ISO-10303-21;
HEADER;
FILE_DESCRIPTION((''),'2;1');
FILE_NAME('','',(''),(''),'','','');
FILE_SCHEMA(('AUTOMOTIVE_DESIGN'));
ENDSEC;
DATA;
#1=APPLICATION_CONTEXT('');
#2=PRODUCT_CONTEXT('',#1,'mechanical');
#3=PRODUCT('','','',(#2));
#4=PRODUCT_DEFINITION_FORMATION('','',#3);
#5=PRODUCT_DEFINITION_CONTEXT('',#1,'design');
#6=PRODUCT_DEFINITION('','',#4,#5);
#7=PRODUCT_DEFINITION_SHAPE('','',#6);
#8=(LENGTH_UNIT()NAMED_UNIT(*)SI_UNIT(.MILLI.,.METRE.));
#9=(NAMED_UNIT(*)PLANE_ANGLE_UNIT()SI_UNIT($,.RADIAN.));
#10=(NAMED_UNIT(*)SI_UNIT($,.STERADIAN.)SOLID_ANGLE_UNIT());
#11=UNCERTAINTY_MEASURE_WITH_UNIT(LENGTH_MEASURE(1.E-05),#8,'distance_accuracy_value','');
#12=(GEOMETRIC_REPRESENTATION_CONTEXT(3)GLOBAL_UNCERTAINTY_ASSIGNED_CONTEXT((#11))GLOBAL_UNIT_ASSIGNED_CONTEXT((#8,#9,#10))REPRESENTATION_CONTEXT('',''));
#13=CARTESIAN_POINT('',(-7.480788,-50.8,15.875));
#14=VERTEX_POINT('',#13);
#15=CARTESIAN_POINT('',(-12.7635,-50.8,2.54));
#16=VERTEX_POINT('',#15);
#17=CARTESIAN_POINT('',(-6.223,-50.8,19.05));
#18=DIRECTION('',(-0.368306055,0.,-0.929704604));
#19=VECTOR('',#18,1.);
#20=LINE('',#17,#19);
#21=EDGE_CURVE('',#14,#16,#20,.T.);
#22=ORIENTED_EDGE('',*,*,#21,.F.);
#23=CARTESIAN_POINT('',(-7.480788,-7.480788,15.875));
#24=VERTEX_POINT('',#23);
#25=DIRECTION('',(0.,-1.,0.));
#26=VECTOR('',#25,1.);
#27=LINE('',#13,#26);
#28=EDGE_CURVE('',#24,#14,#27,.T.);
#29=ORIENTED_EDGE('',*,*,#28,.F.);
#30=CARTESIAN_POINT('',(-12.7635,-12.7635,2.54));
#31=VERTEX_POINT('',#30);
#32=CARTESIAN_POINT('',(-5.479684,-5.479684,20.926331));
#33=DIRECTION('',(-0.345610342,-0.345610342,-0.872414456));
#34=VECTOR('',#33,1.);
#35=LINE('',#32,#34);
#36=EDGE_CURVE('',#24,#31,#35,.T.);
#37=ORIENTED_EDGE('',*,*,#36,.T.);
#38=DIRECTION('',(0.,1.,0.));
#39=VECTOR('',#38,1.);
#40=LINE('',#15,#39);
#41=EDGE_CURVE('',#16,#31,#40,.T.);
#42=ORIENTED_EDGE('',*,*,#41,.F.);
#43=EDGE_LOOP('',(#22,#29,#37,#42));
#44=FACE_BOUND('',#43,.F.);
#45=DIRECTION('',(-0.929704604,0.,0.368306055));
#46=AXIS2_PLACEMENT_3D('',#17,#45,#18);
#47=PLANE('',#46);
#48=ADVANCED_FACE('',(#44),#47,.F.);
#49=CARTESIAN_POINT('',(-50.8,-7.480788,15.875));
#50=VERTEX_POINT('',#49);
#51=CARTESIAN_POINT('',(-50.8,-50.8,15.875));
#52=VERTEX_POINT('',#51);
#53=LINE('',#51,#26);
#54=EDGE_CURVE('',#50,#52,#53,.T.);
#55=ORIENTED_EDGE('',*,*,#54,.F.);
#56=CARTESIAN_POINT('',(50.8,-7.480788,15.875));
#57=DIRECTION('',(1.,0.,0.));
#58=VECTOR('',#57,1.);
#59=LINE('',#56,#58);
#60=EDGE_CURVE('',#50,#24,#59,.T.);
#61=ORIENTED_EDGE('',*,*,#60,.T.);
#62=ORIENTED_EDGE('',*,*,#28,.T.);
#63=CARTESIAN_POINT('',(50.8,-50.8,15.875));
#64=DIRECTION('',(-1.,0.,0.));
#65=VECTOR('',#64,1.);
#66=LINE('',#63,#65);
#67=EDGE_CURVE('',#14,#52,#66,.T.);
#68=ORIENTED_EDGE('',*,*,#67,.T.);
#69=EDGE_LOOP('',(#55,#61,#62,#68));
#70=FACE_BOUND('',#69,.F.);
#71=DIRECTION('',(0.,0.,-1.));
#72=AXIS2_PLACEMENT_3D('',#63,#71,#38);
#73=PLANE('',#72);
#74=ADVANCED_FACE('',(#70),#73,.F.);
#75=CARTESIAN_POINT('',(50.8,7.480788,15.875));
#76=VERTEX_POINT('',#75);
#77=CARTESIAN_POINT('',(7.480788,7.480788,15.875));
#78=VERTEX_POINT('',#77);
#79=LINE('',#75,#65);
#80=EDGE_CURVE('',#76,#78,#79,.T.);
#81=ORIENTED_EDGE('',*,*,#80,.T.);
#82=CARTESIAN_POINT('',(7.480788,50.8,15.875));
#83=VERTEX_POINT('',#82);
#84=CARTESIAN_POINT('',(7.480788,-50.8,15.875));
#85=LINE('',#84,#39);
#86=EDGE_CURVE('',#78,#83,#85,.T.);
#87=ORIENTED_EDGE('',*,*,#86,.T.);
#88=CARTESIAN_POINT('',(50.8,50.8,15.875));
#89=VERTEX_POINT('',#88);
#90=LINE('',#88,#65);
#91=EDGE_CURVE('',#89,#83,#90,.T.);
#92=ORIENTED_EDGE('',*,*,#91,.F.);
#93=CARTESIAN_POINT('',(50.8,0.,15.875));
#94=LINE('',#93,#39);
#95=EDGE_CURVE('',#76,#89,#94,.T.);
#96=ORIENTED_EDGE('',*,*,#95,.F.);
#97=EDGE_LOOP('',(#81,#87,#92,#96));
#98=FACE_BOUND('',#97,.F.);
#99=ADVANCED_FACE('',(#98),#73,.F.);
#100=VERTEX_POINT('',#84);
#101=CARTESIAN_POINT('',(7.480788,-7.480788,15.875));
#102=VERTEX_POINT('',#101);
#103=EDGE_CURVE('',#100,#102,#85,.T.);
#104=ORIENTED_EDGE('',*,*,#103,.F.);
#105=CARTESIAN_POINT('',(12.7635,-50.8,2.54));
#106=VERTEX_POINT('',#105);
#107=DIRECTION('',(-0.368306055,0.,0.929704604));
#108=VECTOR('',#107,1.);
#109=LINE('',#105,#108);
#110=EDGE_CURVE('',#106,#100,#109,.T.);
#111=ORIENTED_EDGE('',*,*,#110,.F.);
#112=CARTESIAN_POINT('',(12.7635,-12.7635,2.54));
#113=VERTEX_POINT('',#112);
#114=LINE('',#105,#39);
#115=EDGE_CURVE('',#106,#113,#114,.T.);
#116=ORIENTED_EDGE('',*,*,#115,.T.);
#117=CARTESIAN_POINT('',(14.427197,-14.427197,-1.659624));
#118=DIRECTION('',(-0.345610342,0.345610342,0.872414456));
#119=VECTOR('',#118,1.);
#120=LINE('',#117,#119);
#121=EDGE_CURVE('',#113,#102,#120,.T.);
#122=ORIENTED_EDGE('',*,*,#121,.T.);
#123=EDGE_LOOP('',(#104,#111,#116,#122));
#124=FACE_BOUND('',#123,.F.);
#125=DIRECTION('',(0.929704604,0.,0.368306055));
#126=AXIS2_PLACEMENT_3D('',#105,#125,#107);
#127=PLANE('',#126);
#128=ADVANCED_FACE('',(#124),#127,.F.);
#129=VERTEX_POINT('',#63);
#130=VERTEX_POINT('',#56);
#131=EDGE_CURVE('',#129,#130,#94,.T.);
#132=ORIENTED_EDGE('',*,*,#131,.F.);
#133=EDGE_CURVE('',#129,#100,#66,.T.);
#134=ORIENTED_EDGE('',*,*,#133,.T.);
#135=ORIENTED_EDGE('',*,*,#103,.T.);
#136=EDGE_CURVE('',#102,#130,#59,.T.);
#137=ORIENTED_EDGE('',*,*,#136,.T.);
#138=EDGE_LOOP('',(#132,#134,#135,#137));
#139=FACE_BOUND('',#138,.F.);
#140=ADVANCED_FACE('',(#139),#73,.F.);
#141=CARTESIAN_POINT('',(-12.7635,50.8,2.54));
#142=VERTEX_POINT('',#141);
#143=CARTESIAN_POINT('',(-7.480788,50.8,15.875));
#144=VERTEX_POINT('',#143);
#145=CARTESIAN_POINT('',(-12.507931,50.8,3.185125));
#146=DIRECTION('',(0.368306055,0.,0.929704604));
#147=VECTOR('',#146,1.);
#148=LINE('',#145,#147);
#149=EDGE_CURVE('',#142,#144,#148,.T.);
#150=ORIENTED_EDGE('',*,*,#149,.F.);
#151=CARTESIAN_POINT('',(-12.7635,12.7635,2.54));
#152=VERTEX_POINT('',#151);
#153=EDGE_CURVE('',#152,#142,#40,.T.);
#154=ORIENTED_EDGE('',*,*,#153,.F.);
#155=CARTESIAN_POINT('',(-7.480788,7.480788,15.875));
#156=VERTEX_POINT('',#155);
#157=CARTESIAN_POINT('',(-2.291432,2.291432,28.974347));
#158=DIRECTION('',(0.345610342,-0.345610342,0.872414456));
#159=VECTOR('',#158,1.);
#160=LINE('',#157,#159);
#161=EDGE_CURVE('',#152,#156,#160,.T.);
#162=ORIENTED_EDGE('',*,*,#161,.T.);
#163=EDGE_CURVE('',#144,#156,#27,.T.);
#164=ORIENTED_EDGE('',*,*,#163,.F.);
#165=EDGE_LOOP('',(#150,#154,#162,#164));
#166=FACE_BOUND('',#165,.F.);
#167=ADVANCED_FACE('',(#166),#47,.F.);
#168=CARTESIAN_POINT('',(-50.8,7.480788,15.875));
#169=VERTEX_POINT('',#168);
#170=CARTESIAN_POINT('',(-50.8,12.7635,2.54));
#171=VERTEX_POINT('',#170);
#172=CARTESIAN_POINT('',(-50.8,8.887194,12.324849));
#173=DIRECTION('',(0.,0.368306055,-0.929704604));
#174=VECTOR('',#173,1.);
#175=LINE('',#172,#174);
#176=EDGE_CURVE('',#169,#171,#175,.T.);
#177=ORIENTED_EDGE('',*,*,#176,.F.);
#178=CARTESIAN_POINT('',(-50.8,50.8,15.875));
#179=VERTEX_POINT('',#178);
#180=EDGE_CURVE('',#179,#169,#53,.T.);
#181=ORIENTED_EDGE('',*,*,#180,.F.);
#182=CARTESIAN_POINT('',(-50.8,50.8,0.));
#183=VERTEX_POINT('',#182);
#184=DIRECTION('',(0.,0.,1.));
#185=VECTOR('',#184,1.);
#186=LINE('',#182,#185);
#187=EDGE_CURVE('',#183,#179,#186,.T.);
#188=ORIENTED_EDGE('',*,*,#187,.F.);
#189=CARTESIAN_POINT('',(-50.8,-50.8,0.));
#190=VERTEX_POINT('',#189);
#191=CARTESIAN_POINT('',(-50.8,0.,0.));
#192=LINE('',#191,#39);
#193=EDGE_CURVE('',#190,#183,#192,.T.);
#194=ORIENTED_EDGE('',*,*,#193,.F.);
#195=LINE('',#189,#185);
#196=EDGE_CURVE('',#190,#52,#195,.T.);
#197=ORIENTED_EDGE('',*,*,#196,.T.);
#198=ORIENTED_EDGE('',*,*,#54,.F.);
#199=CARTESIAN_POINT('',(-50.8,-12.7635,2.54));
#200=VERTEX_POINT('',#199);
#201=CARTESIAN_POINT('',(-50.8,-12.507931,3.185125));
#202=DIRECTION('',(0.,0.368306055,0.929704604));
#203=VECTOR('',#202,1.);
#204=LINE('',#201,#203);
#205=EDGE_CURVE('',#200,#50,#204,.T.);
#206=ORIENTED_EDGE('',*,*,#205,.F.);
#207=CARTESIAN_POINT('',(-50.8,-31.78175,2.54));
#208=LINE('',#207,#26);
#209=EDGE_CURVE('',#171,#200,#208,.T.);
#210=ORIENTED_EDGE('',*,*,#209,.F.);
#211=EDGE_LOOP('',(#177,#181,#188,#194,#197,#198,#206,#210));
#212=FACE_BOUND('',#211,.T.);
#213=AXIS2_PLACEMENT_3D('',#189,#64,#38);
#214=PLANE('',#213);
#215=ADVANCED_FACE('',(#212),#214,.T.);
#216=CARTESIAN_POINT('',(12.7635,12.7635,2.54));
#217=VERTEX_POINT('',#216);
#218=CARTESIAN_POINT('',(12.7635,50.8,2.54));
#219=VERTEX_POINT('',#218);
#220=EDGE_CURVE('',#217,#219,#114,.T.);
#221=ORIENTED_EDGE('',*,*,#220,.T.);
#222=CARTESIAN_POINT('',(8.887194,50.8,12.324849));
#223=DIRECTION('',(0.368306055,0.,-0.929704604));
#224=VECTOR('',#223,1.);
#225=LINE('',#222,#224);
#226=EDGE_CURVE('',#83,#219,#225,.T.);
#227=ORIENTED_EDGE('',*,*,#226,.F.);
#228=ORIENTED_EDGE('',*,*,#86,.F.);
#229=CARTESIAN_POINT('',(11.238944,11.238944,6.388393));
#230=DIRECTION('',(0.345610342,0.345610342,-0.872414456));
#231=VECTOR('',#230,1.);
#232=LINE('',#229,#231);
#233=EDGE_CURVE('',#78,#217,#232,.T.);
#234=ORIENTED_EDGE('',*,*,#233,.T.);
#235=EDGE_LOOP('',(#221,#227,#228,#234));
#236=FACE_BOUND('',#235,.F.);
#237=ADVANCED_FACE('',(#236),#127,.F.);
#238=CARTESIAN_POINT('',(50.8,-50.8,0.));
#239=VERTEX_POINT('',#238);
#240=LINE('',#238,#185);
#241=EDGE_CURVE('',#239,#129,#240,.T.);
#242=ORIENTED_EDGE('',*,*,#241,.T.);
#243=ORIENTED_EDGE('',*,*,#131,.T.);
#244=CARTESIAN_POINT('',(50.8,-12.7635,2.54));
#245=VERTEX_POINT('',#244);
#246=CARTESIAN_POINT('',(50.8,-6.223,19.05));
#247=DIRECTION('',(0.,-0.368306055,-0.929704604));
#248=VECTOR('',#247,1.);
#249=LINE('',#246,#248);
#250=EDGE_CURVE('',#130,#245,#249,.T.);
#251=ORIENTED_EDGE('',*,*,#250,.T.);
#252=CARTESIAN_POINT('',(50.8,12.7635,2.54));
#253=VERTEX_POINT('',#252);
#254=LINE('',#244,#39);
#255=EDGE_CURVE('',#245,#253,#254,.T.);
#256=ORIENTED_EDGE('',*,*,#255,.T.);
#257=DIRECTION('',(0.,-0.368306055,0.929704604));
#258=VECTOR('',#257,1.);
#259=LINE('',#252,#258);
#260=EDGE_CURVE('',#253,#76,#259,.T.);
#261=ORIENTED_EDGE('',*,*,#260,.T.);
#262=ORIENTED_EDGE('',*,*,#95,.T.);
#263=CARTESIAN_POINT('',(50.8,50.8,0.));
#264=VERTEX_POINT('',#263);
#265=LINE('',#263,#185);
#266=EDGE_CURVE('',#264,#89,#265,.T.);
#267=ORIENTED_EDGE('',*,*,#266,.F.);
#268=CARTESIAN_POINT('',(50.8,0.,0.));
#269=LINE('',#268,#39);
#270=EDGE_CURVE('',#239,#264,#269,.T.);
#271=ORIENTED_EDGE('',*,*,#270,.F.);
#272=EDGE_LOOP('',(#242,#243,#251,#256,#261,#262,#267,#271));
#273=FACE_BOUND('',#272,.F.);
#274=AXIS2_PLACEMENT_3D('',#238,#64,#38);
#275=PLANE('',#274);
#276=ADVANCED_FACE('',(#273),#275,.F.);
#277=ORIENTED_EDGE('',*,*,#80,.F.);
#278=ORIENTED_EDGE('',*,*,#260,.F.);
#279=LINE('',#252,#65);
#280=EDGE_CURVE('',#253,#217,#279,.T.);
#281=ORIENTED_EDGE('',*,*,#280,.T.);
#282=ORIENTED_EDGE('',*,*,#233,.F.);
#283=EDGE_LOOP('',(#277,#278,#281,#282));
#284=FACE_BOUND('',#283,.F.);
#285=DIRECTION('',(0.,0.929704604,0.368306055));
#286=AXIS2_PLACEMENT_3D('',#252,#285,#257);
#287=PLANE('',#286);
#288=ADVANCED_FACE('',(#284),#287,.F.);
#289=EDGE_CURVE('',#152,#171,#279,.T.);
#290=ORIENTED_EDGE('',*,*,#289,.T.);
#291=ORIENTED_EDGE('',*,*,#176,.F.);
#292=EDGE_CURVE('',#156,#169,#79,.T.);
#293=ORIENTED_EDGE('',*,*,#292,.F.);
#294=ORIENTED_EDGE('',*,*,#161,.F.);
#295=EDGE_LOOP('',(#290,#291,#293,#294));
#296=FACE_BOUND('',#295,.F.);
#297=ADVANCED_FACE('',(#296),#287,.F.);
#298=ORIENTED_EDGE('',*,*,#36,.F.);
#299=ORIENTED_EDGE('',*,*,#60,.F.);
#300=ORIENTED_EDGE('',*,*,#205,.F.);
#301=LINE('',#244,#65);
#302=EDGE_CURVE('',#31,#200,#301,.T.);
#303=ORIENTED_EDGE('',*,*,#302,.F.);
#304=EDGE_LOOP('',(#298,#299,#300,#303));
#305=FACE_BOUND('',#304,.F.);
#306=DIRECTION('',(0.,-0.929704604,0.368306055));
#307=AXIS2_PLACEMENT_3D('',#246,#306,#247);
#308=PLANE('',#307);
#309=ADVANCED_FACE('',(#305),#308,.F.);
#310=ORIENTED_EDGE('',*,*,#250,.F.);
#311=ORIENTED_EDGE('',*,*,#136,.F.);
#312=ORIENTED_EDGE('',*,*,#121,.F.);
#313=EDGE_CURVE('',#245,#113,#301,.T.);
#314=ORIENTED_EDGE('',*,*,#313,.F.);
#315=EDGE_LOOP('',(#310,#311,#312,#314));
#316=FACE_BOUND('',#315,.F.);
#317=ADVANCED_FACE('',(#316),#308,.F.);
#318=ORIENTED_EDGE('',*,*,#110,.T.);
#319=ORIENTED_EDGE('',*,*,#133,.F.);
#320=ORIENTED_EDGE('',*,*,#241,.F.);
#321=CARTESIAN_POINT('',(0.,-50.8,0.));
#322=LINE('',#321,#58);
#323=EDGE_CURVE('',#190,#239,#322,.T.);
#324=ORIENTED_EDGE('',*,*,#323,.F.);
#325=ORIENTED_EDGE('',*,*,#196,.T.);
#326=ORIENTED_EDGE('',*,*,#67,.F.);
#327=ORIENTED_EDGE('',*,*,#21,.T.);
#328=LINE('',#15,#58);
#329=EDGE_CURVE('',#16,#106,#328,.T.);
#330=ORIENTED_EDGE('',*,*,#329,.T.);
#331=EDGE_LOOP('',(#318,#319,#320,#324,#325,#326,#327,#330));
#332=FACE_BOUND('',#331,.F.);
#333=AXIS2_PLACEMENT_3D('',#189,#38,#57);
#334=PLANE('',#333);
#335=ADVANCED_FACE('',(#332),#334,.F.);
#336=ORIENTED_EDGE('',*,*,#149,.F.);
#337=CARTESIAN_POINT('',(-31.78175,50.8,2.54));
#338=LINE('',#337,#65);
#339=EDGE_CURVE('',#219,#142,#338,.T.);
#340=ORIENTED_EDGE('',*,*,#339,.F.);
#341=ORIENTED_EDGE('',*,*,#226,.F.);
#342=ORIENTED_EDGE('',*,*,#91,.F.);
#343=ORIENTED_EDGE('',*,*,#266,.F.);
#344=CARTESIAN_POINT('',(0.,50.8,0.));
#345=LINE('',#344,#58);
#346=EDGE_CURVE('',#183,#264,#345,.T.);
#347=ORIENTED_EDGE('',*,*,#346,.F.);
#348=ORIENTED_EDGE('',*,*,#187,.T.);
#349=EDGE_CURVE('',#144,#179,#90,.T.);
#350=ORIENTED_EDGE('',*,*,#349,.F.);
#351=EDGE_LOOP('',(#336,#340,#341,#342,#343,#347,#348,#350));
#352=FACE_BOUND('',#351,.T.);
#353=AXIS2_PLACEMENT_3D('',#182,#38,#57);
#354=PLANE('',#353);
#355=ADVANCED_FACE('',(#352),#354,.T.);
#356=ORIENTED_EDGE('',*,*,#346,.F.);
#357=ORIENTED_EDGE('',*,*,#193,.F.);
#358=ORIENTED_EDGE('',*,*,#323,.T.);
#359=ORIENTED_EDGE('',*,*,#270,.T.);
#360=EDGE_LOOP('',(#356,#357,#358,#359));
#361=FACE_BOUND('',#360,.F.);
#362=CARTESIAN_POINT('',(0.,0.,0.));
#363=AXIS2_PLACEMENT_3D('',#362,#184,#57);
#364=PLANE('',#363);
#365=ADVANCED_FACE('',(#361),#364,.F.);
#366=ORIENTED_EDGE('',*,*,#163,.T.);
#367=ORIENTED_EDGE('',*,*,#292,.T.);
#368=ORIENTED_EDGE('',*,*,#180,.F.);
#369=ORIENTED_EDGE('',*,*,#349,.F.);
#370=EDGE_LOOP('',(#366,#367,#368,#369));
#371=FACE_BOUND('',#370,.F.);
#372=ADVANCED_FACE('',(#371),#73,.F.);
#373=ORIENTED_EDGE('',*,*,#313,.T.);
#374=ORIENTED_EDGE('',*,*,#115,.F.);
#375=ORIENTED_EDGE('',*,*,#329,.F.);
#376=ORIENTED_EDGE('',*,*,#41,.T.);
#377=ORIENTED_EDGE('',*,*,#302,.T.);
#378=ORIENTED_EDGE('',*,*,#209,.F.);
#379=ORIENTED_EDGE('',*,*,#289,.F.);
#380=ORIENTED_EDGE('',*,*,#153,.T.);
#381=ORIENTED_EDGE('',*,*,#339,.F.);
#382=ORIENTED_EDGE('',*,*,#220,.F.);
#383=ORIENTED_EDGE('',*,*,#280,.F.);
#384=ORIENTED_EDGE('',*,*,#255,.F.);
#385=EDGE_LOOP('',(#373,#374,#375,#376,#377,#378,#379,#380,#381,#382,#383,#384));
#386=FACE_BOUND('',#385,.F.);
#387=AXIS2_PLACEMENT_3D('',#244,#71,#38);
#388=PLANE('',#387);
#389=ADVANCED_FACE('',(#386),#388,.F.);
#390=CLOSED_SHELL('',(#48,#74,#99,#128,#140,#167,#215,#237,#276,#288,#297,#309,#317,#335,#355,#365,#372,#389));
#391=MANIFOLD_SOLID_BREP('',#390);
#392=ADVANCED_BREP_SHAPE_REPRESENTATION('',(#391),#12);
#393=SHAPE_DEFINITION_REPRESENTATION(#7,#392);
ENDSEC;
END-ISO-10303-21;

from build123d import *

# Parameters (mm, degrees)
F0_W     = 101.6
F0_H     = 101.6
F1_DEPTH = 19.05
F3_DEPTH = 101.601
F5_DEPTH = 101.601
F6_W     = 101.6
F6_H     = 3.175
F7_DEPTH = 101.601


with BuildPart() as f1:
    # F0 (on Top) → F1 (new body)
    with BuildSketch(Plane.XY):
        Rectangle(F0_W, F0_H)
    extrude(amount=F1_DEPTH)

    # F2 (on face) → F3 (cut, through all)
    with BuildSketch(Plane.YZ.offset(50.8)):
        Polygon((6.223, 19.05), (-6.223, 19.05), (-12.7635, 2.54), (12.7635, 2.54), align=None)
    extrude(amount=-F3_DEPTH, mode=Mode.SUBTRACT)

    # F4 (on face) → F5 (cut, through all)
    with BuildSketch(Plane.XZ.offset(50.8)):
        Polygon((6.223, 19.05), (-6.223, 19.05), (-12.7635, 2.54), (12.7635, 2.54), align=None)
    extrude(amount=-F5_DEPTH, mode=Mode.SUBTRACT)

    # F6 (on face) → F7 (cut, through all)
    with BuildSketch(Plane.YZ.offset(50.8)):
        with Locations((0, 17.4625)):
            Rectangle(F6_W, F6_H)
    extrude(amount=-F7_DEPTH, mode=Mode.SUBTRACT)


solid = f1.part
